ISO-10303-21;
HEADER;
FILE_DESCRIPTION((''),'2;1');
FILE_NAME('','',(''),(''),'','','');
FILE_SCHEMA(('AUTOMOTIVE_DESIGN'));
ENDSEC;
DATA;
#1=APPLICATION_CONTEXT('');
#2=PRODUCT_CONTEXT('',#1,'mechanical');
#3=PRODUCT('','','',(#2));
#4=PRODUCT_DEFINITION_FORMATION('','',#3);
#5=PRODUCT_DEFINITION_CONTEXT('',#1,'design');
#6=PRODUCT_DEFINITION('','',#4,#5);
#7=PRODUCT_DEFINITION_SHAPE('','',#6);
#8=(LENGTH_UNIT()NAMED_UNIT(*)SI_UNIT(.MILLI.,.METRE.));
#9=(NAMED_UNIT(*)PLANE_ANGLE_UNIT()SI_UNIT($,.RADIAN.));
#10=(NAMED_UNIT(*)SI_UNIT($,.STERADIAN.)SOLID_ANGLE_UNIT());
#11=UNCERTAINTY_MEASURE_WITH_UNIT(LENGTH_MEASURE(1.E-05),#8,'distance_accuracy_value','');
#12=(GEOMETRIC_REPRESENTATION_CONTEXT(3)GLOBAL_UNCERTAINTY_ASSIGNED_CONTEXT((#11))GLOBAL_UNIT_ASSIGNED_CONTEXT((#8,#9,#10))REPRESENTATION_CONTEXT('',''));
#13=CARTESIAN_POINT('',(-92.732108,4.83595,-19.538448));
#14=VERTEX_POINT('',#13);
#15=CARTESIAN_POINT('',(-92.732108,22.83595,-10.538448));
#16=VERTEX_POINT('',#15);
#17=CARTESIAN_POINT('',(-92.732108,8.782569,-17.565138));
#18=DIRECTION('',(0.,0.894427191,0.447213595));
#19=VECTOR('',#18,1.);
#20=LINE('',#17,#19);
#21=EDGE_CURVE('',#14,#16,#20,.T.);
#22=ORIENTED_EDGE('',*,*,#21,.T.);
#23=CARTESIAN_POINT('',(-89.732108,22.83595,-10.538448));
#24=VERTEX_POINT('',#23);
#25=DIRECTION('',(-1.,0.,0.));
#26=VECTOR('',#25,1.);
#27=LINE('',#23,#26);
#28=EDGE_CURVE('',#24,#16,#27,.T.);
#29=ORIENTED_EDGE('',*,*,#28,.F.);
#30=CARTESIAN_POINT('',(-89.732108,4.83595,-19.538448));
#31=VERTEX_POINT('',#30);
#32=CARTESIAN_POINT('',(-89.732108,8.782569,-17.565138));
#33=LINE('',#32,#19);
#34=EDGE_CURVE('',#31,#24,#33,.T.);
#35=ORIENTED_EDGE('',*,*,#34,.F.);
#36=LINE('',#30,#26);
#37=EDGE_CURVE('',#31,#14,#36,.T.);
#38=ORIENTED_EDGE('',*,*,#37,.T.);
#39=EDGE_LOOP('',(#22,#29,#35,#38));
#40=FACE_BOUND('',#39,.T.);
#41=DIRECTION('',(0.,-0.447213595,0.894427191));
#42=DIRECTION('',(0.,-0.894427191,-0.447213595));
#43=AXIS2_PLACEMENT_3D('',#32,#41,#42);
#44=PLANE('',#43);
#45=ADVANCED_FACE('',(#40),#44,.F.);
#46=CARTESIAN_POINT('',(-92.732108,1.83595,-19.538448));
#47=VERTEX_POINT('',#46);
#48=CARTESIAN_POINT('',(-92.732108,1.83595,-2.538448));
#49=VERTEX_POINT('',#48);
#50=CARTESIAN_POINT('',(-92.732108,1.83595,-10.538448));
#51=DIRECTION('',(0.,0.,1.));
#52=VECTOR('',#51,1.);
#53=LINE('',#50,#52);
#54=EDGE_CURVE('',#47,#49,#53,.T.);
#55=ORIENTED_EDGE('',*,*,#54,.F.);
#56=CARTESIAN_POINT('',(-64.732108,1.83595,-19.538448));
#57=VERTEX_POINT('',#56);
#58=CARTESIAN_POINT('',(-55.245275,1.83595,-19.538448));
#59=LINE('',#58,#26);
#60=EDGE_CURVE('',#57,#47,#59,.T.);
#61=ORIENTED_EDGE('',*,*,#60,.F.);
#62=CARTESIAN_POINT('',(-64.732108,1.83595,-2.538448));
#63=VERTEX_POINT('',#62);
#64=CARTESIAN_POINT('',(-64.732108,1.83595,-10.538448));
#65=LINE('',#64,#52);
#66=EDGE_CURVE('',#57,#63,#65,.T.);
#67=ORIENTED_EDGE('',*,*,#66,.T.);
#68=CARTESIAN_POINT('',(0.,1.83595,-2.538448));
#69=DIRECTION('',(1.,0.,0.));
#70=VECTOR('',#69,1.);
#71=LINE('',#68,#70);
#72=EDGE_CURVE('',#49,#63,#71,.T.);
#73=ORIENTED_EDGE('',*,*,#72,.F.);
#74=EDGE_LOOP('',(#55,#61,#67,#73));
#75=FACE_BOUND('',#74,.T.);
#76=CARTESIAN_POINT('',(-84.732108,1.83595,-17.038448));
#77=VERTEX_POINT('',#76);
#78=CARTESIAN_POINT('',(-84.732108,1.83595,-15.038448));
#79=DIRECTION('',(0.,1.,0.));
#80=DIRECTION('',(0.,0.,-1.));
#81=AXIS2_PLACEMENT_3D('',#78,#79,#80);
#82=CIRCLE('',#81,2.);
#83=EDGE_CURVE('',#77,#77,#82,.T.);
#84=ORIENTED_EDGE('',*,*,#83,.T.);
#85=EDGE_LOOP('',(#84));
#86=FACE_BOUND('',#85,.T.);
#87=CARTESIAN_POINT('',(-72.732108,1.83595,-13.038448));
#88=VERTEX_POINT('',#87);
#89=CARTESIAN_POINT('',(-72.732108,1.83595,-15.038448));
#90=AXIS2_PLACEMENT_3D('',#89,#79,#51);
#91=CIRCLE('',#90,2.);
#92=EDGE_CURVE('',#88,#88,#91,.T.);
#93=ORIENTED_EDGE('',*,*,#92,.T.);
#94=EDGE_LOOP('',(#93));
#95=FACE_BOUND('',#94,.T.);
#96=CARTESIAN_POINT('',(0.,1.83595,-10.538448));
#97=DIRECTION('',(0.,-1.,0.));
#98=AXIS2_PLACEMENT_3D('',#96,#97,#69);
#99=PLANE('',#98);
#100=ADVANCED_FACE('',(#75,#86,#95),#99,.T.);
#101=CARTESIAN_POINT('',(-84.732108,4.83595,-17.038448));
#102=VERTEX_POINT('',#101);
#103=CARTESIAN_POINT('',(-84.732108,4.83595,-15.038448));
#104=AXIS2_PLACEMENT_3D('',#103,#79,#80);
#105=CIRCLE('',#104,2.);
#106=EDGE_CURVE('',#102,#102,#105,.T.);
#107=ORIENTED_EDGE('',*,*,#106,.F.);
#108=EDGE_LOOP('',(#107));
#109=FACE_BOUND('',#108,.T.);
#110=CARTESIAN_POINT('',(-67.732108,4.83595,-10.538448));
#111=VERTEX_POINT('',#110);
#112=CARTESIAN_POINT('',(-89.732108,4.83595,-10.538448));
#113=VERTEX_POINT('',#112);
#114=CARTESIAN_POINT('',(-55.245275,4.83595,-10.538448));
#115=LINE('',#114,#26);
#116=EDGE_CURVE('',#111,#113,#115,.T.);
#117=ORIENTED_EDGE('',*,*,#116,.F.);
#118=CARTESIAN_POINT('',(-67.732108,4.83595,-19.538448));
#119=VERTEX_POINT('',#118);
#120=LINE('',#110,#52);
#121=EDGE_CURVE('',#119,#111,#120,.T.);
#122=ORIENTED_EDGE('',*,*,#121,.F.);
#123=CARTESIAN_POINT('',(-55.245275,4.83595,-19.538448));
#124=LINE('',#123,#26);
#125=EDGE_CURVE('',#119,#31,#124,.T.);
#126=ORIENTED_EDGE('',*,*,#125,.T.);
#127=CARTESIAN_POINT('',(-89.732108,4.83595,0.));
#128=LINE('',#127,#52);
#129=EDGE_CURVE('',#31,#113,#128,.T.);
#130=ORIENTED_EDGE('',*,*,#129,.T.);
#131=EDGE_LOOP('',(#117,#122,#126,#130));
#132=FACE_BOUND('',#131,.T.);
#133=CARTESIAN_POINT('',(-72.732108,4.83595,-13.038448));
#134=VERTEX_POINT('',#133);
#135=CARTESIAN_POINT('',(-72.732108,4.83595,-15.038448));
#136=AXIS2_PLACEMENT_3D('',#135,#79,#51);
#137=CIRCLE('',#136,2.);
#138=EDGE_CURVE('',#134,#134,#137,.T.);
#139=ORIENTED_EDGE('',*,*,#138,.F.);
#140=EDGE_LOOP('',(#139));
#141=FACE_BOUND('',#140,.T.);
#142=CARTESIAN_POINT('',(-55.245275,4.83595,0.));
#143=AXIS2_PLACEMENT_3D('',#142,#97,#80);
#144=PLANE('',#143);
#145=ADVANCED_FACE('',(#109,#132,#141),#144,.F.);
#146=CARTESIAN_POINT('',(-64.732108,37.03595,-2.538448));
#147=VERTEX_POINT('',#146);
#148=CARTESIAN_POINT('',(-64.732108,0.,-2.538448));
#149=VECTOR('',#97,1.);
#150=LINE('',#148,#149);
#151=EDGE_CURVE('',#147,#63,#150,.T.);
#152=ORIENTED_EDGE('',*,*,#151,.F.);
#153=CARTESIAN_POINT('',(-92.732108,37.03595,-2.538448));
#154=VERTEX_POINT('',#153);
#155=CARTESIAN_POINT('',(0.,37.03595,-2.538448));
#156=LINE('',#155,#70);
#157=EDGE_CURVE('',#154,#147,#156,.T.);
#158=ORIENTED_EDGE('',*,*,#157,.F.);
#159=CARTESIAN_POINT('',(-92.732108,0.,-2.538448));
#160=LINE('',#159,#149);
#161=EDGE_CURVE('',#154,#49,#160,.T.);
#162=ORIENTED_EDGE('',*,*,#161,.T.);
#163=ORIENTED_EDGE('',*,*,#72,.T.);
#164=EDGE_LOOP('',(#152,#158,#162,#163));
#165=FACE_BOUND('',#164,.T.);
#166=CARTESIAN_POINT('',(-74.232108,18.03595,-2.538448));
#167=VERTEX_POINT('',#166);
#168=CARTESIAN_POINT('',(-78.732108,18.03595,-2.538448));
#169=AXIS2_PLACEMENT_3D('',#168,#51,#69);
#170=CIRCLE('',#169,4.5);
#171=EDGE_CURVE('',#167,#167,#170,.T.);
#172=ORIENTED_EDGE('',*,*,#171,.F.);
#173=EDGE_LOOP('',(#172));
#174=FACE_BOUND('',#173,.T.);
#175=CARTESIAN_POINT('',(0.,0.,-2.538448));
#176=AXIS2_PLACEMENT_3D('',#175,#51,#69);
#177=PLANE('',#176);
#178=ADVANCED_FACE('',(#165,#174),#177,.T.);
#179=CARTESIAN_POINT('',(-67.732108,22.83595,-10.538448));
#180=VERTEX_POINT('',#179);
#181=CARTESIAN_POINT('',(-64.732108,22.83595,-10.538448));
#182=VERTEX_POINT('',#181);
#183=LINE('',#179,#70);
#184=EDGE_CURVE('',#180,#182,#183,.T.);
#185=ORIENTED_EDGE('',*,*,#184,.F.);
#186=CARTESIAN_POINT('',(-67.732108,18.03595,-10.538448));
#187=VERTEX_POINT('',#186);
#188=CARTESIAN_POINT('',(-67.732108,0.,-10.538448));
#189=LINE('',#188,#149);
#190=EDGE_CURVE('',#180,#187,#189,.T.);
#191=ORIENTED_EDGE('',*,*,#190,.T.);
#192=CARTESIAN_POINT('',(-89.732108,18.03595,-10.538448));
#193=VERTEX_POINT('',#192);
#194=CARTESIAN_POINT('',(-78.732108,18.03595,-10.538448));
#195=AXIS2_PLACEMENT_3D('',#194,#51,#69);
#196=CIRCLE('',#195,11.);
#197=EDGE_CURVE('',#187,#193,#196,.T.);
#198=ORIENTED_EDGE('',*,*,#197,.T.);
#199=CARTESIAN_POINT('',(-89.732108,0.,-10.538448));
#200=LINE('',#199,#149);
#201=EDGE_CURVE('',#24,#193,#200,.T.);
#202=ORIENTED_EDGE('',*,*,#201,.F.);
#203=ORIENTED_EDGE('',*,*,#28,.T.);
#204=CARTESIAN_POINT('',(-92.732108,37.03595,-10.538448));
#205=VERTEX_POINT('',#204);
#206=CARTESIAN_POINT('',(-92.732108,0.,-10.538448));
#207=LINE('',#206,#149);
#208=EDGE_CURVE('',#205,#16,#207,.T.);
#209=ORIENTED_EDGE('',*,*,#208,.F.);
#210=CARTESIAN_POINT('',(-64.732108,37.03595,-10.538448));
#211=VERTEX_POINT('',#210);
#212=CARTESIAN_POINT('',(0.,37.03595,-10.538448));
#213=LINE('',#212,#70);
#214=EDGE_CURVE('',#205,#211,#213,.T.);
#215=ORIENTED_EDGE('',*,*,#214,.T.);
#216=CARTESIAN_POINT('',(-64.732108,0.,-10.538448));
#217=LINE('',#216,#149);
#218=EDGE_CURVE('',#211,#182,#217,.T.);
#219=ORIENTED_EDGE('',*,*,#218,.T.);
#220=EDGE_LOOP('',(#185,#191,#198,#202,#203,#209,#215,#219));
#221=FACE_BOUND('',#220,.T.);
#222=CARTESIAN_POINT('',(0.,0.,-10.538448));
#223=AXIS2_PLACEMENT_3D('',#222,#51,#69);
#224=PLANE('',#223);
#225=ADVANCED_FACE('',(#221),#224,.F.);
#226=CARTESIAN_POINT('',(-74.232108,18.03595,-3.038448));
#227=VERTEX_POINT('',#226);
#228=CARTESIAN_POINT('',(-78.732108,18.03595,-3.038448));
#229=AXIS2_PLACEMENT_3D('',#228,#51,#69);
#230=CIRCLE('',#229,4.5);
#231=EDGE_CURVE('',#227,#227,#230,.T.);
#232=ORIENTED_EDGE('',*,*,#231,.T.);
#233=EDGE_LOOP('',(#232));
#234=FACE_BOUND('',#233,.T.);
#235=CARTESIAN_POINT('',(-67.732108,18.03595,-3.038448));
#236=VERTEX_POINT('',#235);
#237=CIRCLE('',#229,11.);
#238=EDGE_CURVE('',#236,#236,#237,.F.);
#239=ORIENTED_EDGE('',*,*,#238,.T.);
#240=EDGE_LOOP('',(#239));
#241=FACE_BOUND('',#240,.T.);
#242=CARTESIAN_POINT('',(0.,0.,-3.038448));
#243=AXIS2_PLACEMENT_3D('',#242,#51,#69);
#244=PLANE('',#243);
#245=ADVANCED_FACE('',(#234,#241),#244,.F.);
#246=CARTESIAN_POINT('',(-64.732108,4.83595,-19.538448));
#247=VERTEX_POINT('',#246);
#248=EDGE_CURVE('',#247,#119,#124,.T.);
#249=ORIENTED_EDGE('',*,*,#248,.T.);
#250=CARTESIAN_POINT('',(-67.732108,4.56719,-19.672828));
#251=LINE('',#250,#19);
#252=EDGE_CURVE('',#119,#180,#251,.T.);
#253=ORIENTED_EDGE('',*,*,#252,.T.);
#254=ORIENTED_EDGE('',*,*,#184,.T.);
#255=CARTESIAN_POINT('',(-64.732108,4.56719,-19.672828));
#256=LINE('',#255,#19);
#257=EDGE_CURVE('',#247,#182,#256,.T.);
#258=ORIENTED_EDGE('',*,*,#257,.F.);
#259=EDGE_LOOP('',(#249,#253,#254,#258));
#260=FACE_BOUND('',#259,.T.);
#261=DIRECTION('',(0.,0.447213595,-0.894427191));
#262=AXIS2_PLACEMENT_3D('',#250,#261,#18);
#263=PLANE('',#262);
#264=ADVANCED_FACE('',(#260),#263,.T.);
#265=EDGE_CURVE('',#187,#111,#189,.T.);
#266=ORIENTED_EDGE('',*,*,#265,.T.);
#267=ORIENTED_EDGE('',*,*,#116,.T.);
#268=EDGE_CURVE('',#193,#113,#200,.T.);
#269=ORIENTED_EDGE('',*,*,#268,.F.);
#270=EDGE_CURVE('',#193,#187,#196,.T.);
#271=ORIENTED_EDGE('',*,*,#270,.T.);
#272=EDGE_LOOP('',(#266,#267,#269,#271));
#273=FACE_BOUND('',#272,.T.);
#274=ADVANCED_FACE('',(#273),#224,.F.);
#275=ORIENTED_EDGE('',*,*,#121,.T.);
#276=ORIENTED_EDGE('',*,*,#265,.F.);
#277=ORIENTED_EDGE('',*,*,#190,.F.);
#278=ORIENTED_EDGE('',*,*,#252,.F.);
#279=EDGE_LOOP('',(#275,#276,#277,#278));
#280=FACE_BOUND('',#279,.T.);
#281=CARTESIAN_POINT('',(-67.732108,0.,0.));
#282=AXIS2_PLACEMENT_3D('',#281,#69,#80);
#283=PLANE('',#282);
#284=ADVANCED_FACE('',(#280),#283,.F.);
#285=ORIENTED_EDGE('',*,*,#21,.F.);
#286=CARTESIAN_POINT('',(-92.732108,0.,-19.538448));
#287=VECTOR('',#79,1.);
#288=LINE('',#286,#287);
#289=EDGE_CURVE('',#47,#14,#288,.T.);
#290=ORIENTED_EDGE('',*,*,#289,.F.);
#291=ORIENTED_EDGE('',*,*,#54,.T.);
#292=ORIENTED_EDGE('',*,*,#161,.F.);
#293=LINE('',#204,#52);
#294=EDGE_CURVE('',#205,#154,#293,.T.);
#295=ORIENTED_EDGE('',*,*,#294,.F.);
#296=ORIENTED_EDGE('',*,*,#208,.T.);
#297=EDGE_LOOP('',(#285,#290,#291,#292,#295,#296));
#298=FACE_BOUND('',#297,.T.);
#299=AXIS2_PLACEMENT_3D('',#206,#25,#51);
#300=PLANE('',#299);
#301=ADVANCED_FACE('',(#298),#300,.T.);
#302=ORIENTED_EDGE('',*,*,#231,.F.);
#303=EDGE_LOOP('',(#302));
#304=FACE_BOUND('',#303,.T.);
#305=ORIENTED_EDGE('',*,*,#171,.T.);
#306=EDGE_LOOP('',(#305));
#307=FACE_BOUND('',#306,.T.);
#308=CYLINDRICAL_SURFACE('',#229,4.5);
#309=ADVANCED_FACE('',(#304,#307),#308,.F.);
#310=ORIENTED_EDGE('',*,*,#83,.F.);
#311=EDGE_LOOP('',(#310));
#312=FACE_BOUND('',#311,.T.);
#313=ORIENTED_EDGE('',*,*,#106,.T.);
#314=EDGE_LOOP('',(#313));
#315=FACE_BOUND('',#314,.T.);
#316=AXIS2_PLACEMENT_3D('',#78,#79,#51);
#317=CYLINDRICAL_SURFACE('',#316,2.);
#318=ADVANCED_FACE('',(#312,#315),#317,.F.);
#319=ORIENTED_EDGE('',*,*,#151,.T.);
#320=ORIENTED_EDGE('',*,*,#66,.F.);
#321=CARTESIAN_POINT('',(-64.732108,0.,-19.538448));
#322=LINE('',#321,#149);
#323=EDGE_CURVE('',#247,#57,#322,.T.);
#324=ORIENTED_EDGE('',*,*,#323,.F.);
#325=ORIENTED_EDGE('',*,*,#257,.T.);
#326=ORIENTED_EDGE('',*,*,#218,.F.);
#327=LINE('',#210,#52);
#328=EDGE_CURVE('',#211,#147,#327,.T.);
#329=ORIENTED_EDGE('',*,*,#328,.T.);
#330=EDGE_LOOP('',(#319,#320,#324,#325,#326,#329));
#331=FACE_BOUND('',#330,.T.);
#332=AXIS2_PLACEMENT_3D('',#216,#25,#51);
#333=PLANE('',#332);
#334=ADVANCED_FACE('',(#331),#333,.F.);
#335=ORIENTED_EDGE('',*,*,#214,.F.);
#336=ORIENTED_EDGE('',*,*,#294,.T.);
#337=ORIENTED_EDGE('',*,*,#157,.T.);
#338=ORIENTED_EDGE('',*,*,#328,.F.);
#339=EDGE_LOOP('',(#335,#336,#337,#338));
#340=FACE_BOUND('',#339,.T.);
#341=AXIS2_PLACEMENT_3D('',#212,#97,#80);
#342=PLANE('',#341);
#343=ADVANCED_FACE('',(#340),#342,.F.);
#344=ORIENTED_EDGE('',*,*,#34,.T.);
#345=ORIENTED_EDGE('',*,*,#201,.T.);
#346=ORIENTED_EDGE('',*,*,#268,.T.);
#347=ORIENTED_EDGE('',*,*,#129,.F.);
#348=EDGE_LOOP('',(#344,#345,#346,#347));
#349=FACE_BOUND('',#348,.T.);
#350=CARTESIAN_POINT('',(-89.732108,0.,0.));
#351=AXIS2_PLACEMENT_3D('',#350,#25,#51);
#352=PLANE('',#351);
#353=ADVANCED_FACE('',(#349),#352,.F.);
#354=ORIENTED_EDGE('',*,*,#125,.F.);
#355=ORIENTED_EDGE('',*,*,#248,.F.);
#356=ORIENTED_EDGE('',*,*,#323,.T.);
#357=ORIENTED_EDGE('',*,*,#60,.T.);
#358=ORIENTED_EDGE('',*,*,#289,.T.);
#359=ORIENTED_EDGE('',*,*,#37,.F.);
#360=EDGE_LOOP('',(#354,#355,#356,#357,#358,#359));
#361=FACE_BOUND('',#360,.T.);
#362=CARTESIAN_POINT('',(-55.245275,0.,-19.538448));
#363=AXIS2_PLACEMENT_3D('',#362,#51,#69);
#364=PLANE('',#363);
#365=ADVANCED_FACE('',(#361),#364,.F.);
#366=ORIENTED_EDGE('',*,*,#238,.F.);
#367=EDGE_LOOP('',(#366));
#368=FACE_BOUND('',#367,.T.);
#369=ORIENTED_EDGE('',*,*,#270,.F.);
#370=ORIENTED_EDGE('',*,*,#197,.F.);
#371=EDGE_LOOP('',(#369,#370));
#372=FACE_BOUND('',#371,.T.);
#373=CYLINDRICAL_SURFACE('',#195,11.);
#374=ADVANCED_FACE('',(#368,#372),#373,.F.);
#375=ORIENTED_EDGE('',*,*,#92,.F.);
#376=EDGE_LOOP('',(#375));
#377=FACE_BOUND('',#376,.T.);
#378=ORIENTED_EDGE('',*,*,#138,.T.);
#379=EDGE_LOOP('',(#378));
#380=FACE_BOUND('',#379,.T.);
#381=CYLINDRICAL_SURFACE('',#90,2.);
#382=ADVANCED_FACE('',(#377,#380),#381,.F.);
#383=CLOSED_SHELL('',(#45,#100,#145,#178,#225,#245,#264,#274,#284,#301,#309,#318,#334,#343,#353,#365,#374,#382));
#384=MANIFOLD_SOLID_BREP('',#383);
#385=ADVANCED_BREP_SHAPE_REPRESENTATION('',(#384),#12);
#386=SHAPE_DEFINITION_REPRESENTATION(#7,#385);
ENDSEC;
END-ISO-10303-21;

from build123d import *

# Parameters (mm, degrees)
SKETCH2_W           = 28
SKETCH2_H           = 35.2
SKETCH2_R           = 11
BOSS_EXTRUDE3_DEPTH = 8
SKETCH3_W           = 10
SKETCH3_H           = 3
BOSS_EXTRUDE4_DEPTH = 28
BOSS_EXTRUDE5_DEPTH = 3
BOSS_EXTRUDE6_START = -28
BOSS_EXTRUDE6_DEPTH = 3
SKETCH4_R           = 2
CUT_EXTRUDE1_DEPTH  = 101.089134132
SKETCH2_3_R         = 11
SKETCH2_3_R_2       = 4.5
BOSS_EXTRUDE7_DEPTH = 0.5


with BuildPart() as part:
    # Sketch2 → Boss-Extrude3 (new body)
    with BuildSketch(Plane.XY.offset(-2.538447986)):
        with Locations((-78.732107824, 19.43595021)):
            Rectangle(SKETCH2_W, SKETCH2_H)
        with Locations((-78.732107824, 18.03595021)):
            Circle(SKETCH2_R, mode=Mode.SUBTRACT)
    extrude(amount=-BOSS_EXTRUDE3_DEPTH)

    # Sketch3 → Boss-Extrude4 (add)
    with BuildSketch(Plane.ZY.offset(92.732107824)):
        with Locations((-14.538447986, 3.33595021)):
            Rectangle(SKETCH3_W, SKETCH3_H)
    extrude(amount=-BOSS_EXTRUDE4_DEPTH)

    # Sketch3<3> → Boss-Extrude5 (add)
    with BuildSketch(Plane.ZY.offset(92.732107824)):
        Polygon((-19.538447986, 4.83595021), (-9.538447986, 4.83595021), (-9.538447986, 24.83595021), align=None)
    extrude(amount=-BOSS_EXTRUDE5_DEPTH)

    # Sketch3<4> → Boss-Extrude6 (add)
    with BuildSketch(Plane.ZY.offset(92.732107824).offset(BOSS_EXTRUDE6_START)):
        Polygon((-19.538447986, 4.83595021), (-9.538447986, 4.83595021), (-9.538447986, 24.83595021), (-10.538447986, 22.83595021), align=None)
    extrude(amount=BOSS_EXTRUDE6_DEPTH)

    # Sketch4 → Cut-Extrude1 (cut, through all)
    with BuildSketch(Plane(origin=(0, 4.83595021, 0), x_dir=(1, 0, 0), z_dir=(0, 1, 0))):
        with Locations(Location((-72.732107824, 15.038447986, 0), (0, 0, 270))):
            Circle(SKETCH4_R)
        with Locations(Location((-84.732107824, 15.038447986, 0), (0, 0, 90))):
            Circle(SKETCH4_R)
    extrude(amount=-CUT_EXTRUDE1_DEPTH, mode=Mode.SUBTRACT)

    # Sketch2<3> → Boss-Extrude7 (add)
    with BuildSketch(Plane.XY.offset(-2.538447986)):
        with Locations((-78.732107824, 18.03595021)):
            Circle(SKETCH2_3_R)
        with Locations((-78.732107824, 18.03595021)):
            Circle(SKETCH2_3_R_2, mode=Mode.SUBTRACT)
    extrude(amount=-BOSS_EXTRUDE7_DEPTH)


solid = part.part
